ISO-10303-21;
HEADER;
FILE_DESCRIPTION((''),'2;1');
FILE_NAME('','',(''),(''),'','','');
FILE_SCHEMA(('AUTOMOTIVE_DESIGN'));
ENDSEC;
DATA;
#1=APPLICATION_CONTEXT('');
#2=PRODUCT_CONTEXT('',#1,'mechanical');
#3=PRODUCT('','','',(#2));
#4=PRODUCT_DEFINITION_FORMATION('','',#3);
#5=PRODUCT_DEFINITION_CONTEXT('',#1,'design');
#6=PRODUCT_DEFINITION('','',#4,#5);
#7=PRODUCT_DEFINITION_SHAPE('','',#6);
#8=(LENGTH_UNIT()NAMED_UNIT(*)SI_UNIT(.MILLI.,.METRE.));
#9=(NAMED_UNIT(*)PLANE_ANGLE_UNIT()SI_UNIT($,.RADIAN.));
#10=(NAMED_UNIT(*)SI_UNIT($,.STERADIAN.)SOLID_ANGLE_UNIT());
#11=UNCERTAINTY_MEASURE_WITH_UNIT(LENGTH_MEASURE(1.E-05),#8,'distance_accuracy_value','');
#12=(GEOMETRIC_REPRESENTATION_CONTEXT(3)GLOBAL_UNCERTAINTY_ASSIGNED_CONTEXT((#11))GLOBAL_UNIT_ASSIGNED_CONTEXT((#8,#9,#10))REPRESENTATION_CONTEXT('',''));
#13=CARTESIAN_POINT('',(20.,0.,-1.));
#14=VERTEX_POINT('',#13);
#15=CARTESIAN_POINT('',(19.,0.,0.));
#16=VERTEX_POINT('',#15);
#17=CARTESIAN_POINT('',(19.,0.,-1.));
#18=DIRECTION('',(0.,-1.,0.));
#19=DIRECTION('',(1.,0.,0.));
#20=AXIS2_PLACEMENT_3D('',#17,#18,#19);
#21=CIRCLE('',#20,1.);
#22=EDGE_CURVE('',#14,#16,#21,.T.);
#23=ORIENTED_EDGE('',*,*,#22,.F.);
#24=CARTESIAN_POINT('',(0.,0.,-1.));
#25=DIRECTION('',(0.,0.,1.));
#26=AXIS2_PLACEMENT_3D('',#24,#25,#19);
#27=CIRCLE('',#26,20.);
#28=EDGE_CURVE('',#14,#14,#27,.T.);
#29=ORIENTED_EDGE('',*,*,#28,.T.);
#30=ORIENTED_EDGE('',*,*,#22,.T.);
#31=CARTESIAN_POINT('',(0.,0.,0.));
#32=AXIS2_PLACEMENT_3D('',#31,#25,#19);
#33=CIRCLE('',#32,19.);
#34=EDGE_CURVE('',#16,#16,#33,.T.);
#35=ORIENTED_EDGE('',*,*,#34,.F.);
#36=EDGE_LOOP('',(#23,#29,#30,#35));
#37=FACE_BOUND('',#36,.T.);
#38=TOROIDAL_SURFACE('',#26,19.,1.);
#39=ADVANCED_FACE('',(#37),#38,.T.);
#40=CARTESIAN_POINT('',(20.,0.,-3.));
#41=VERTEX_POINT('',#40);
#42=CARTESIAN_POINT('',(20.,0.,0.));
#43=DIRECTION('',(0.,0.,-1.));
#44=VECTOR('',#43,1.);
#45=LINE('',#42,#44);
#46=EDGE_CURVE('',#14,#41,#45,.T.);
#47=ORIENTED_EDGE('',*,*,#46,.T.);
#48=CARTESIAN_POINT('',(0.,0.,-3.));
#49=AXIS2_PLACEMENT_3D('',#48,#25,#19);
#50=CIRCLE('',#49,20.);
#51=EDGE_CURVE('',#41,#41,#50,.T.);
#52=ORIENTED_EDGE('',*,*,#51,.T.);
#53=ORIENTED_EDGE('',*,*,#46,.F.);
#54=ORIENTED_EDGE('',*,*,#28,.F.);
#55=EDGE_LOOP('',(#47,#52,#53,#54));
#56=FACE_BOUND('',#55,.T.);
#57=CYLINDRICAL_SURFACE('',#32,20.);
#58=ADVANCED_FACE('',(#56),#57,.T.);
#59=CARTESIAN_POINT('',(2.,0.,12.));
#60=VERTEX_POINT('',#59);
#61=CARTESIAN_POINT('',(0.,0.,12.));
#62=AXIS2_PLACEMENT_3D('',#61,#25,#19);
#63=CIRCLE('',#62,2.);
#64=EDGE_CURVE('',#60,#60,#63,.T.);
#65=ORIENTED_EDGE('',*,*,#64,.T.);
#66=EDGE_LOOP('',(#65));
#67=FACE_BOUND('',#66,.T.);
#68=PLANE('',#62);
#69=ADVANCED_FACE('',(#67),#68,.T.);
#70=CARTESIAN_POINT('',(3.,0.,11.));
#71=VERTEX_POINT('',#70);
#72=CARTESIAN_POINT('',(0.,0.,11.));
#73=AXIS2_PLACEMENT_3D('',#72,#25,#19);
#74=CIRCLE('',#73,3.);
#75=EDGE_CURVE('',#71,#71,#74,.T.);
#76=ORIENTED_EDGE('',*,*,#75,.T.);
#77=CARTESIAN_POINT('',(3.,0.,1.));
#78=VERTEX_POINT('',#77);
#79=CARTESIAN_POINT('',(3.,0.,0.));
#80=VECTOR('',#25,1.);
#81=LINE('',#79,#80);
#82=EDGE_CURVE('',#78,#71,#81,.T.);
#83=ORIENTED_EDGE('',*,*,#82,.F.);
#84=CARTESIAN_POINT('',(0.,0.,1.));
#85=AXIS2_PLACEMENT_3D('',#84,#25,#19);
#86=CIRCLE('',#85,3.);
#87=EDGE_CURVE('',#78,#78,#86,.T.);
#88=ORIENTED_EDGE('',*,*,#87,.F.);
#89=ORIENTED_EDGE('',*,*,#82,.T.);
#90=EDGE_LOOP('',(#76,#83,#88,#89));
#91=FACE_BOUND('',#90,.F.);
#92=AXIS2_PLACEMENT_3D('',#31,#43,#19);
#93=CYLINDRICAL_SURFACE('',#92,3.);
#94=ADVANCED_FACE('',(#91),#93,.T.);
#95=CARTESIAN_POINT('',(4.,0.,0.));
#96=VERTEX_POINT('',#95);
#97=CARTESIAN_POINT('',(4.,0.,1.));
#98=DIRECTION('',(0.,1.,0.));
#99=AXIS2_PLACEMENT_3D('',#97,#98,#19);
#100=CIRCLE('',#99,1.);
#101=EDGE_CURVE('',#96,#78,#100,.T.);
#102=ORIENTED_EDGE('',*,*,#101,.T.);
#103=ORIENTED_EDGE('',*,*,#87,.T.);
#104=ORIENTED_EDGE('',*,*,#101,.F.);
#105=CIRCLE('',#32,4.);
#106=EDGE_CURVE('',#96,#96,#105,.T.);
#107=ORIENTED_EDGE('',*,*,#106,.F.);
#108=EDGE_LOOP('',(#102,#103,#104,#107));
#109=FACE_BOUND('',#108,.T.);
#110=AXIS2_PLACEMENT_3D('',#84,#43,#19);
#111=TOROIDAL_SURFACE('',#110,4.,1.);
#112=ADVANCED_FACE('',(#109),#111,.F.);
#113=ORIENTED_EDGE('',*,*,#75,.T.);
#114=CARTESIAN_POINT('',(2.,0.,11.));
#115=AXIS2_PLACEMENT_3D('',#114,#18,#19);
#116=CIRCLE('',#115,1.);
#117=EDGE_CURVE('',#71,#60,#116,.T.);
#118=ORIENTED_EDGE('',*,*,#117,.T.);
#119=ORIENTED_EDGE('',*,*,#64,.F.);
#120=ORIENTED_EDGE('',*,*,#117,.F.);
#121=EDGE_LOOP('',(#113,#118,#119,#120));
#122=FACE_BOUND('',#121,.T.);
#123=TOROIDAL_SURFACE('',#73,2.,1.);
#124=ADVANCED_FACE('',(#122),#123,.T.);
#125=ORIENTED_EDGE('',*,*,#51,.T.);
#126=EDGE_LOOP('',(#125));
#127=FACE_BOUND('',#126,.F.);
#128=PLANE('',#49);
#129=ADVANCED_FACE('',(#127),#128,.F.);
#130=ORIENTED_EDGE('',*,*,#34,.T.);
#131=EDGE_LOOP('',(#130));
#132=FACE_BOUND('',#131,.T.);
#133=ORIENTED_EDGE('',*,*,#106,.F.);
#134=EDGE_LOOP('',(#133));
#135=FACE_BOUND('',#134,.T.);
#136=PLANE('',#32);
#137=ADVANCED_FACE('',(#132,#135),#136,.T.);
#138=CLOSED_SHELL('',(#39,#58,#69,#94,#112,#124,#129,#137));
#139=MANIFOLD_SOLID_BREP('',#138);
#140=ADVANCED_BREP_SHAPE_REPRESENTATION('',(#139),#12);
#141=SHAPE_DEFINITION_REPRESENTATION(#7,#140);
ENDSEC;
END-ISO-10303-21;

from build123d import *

# Parameters (mm, degrees)
F0_R     = 20
F1_DEPTH = 3
F2_R     = 3
F3_DEPTH = 12
F4_R     = 1


with BuildPart() as f1:
    # F0 (on Top) → F1 (new body)
    with BuildSketch(Plane.XY):
        Circle(F0_R)
    extrude(amount=-F1_DEPTH)

    # F2 (on face) → F3 (join)
    with BuildSketch(Plane.XY):
        Circle(F2_R)
    extrude(amount=F3_DEPTH)

    # F4
    f4_edges = [f1.edges().sort_by_distance(p)[0] for p in [
        (-20, 0, 0),
        (-3, 0, 12),
        (-3, 0, 0),
    ]]
    fillet(f4_edges, radius=F4_R)


solid = f1.part
